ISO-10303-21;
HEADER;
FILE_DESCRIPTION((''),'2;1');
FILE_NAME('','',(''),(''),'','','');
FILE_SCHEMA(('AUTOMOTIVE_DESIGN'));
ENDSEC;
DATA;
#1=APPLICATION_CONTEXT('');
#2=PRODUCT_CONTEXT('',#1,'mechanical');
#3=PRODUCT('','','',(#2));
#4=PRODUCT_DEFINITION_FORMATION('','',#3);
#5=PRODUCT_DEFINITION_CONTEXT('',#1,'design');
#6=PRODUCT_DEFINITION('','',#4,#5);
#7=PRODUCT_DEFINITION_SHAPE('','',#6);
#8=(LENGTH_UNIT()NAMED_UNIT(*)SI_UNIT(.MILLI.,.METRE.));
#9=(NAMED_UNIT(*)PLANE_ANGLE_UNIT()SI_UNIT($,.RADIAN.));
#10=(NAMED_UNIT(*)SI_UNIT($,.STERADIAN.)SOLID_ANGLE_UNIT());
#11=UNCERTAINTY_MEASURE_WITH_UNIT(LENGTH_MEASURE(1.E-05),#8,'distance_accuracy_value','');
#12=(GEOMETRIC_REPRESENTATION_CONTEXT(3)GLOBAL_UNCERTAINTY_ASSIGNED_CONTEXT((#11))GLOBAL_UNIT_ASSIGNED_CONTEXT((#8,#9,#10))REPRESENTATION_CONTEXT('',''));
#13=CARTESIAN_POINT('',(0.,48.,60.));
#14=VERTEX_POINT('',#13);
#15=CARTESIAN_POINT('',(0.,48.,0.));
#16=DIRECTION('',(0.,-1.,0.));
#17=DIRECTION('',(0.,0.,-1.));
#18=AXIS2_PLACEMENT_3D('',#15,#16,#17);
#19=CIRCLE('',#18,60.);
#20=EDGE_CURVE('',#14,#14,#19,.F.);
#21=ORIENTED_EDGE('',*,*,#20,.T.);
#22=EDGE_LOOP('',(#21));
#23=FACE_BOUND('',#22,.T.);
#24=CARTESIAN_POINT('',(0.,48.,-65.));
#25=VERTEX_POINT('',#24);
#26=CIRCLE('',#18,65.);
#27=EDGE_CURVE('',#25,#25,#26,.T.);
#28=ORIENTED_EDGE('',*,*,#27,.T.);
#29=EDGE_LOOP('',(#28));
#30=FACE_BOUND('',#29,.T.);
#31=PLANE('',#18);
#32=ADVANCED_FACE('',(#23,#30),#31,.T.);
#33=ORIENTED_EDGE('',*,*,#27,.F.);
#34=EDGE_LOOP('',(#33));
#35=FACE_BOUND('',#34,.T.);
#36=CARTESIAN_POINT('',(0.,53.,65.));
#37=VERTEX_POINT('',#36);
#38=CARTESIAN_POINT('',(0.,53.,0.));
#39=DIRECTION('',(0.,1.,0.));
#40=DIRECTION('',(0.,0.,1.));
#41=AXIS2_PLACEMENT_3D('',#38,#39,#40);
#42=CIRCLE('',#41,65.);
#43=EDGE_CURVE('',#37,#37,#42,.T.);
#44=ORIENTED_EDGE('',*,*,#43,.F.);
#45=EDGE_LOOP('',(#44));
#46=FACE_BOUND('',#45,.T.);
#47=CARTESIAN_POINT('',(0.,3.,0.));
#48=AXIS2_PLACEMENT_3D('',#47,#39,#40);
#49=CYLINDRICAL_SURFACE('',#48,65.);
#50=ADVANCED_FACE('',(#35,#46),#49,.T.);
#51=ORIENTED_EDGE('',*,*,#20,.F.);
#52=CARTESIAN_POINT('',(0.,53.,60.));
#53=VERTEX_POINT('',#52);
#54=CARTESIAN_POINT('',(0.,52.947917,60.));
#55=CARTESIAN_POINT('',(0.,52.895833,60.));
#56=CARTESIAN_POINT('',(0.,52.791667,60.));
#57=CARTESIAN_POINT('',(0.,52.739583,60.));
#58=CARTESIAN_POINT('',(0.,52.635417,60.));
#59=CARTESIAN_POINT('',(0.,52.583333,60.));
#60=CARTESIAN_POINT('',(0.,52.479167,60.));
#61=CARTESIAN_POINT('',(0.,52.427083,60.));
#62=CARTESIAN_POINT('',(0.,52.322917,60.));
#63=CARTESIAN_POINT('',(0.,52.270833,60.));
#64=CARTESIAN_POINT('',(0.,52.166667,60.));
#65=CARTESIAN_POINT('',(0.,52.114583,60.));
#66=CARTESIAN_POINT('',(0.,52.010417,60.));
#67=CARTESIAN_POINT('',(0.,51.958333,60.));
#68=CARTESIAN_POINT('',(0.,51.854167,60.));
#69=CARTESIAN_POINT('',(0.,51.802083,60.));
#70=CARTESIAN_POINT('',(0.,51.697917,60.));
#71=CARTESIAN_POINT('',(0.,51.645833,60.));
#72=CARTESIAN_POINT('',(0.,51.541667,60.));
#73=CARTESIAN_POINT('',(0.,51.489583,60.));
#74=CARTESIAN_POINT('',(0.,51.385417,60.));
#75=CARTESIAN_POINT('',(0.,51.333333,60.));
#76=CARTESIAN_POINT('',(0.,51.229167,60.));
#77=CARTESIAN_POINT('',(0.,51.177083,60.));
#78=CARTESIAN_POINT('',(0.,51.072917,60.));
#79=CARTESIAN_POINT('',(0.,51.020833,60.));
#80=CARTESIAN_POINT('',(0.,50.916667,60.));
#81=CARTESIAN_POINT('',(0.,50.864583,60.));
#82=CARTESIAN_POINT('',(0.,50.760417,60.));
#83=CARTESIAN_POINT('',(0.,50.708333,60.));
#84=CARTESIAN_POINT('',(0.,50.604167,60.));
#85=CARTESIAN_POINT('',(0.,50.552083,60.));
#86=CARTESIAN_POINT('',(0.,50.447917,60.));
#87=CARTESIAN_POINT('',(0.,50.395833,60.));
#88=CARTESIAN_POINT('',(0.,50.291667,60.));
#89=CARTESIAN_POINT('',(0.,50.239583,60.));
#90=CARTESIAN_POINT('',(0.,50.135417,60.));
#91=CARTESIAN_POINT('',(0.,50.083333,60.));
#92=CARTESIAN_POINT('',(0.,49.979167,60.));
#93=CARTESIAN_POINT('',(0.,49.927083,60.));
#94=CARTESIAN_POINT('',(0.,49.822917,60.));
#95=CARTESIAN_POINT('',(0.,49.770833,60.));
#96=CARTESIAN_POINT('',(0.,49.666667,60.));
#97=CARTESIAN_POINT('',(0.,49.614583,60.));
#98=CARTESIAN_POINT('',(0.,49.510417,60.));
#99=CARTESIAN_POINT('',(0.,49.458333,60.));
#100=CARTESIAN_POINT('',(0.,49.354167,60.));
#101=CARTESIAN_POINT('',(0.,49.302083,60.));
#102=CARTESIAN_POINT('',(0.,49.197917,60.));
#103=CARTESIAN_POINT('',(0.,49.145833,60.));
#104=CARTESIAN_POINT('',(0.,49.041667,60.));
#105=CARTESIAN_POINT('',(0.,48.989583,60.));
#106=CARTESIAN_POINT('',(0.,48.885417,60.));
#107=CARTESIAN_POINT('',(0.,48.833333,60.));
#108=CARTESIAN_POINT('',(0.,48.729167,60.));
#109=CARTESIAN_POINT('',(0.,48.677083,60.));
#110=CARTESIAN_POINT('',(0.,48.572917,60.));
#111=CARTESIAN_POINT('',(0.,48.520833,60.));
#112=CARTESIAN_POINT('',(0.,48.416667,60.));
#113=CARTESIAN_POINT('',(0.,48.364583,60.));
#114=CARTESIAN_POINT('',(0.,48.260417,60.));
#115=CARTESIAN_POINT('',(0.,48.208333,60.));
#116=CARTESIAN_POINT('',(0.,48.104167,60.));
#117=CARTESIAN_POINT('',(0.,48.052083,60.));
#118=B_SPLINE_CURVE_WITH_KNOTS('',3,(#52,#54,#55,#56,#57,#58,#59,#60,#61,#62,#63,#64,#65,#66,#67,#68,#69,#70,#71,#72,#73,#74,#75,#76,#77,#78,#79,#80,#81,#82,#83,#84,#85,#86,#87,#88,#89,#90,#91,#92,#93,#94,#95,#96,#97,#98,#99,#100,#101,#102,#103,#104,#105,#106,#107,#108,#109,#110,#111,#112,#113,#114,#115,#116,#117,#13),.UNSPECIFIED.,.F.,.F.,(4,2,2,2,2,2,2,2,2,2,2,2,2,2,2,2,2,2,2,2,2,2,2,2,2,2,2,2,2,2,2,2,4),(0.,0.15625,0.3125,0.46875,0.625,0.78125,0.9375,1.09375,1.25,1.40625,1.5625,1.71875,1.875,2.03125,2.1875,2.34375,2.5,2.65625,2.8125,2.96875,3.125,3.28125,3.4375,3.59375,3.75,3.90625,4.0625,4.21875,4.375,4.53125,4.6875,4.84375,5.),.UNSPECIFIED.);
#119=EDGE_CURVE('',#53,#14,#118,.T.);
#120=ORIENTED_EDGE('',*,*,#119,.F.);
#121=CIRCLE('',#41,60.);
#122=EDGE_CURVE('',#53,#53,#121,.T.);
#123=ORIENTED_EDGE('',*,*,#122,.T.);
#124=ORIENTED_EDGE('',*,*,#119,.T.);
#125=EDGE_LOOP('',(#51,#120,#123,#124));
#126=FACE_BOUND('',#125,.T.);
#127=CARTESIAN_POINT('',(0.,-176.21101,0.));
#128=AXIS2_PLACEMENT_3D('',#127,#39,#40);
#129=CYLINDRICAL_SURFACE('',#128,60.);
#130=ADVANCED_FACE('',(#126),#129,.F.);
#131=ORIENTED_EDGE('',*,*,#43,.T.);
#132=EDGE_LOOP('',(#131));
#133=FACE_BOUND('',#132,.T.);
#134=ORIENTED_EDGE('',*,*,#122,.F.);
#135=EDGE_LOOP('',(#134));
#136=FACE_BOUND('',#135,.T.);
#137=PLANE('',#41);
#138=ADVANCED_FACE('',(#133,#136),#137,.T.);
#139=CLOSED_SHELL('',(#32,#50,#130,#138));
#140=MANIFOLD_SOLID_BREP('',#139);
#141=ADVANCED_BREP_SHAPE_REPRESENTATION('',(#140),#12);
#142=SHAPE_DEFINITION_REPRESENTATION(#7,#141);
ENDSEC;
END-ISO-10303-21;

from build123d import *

# Parameters (mm, degrees)
SKETCH1_R           = 75
SKETCH1_R_2         = 62.3
BOSS_EXTRUDE1_DEPTH = 53
BOSS_EXTRUDE3_START = 3
SKETCH3_R           = 75
SKETCH3_R_2         = 47
BOSS_EXTRUDE3_DEPTH = 3
BOSS_EXTRUDE4_START = 14
SKETCH4_R           = 50.1
SKETCH4_R_2         = 47
BOSS_EXTRUDE4_DEPTH = 14
BOSS_EXTRUDE5_START = 1
SKETCH5_R           = 62.3
SKETCH5_R_2         = 50.1
BOSS_EXTRUDE5_DEPTH = 1
CUT_EXTRUDE2_START  = -64
SKETCH6_R           = 75
SKETCH6_R_2         = 67.5
CUT_EXTRUDE2_DEPTH  = 64
BOSS_EXTRUDE6_REACH = 111.186
SKETCH7_R           = 62.3
SKETCH7_R_2         = 60
SKETCH9_R           = 50.1
SKETCH9_R_2         = 47
CUT_EXTRUDE3_DEPTH  = 17
BOSS_EXTRUDE7_START = -4
SKETCH10_R          = 50.1
SKETCH10_R_2        = 48.5
BOSS_EXTRUDE7_DEPTH = 4
SKETCH12_R          = 48.5
SKETCH12_R_2        = 47.6
BOSS_EXTRUDE8_DEPTH = 4
BOSS_EXTRUDE9_START = -17
SKETCH13_R          = 47.6
SKETCH13_R_2        = 45.1
BOSS_EXTRUDE9_DEPTH = 17
SKETCH14_R          = 75.997463879
CUT_EXTRUDE4_DEPTH  = 48
SKETCH15_R          = 79.637366743
SKETCH15_R_2        = 65
CUT_EXTRUDE5_DEPTH  = 50


with BuildPart() as part:
    # Sketch1 → Boss-Extrude1 (new body)
    with BuildSketch(Plane(origin=(0, 0, 0), x_dir=(1, 0, 0), z_dir=(0, 1, 0))):
        with Locations(Location((0, 0, 0), (0, 0, 270))):
            Circle(SKETCH1_R)
        with Locations(Location((0, 0, 0), (0, 0, 270))):
            Circle(SKETCH1_R_2, mode=Mode.SUBTRACT)
    extrude(amount=BOSS_EXTRUDE1_DEPTH)

    # Sketch3 → Boss-Extrude3 (add)
    with BuildSketch(Plane(origin=(0, 20, 0), x_dir=(-1, 0, 0), z_dir=(0, -1, 0)).offset(BOSS_EXTRUDE3_START)):
        with Locations(Location((0, 0, 0), (0, 0, 270))):
            Circle(SKETCH3_R)
        with Locations(Location((0, 0, 0), (0, 0, 90))):
            Circle(SKETCH3_R_2, mode=Mode.SUBTRACT)
    extrude(amount=-BOSS_EXTRUDE3_DEPTH)

    # Sketch4 → Boss-Extrude4 (add)
    with BuildSketch(Plane.XZ.offset(-17).offset(BOSS_EXTRUDE4_START)):
        with Locations(Location((0, 0, 0), (0, 0, 270))):
            Circle(SKETCH4_R)
        with Locations(Location((0, 0, 0), (0, 0, 270))):
            Circle(SKETCH4_R_2, mode=Mode.SUBTRACT)
    extrude(amount=-BOSS_EXTRUDE4_DEPTH)

    # Sketch5 → Boss-Extrude5 (add)
    with BuildSketch(Plane.XZ.offset(-17).offset(BOSS_EXTRUDE5_START)):
        with Locations(Location((0, 0, 0), (0, 0, 270))):
            Circle(SKETCH5_R)
        with Locations(Location((0, 0, 0), (0, 0, 270))):
            Circle(SKETCH5_R_2, mode=Mode.SUBTRACT)
    extrude(amount=-BOSS_EXTRUDE5_DEPTH)

    # Sketch6 → Cut-Extrude2 (cut)
    with BuildSketch(Plane(origin=(0, 53, 0), x_dir=(1, 0, 0), z_dir=(0, 1, 0)).offset(CUT_EXTRUDE2_START)):
        Circle(SKETCH6_R)
        with Locations(Location((0, 0, 0), (0, 0, 270))):
            Circle(SKETCH6_R_2, mode=Mode.SUBTRACT)
    extrude(amount=CUT_EXTRUDE2_DEPTH, mode=Mode.SUBTRACT)

    # Boss-Extrude6: up to this face of the body (flat: up to its plane)
    boss_extrude6_end = Plane(part.part.faces().sort_by_distance((0, 0, -65.590811691))[0])
    # Sketch7 → Boss-Extrude6 (add, up to the picked face)
    with BuildSketch(Plane(origin=(0, 53, 0), x_dir=(1, 0, 0), z_dir=(0, 1, 0)), mode=Mode.PRIVATE) as boss_extrude6_sk1:
        Circle(SKETCH7_R)
        with Locations(Location((0, 0, 0), (0, 0, 270))):
            Circle(SKETCH7_R_2, mode=Mode.SUBTRACT)
    boss_extrude6_tool1 = split(extrude(boss_extrude6_sk1.sketch, amount=-BOSS_EXTRUDE6_REACH, mode=Mode.PRIVATE), bisect_by=boss_extrude6_end, keep=Keep.BOTH, mode=Mode.PRIVATE)
    add(boss_extrude6_tool1.solids().sort_by(Axis((-60.53789, 53, 0), (0, -1, 0)))[0])

    # Sketch9 → Cut-Extrude3 (cut)
    with BuildSketch(Plane.XZ.offset(-3)):
        with Locations(Location((0, 0, 0), (0, 0, 270))):
            Circle(SKETCH9_R)
        Circle(SKETCH9_R_2, mode=Mode.SUBTRACT)
    extrude(amount=-CUT_EXTRUDE3_DEPTH, mode=Mode.SUBTRACT)

    # Sketch10 → Boss-Extrude7 (add)
    with BuildSketch(Plane(origin=(0, 20, 0), x_dir=(1, 0, 0), z_dir=(0, 1, 0)).offset(BOSS_EXTRUDE7_START)):
        Circle(SKETCH10_R)
        with Locations(Location((0, 0, 0), (0, 0, 270))):
            Circle(SKETCH10_R_2, mode=Mode.SUBTRACT)
    extrude(amount=BOSS_EXTRUDE7_DEPTH)

    # Sketch12 → Boss-Extrude8 (add)
    with BuildSketch(Plane.XZ.offset(-16)):
        Circle(SKETCH12_R)
        with Locations(Location((0, 0, 0), (0, 0, 270))):
            Circle(SKETCH12_R_2, mode=Mode.SUBTRACT)
    extrude(amount=-BOSS_EXTRUDE8_DEPTH)

    # Sketch13 → Boss-Extrude9 (add)
    with BuildSketch(Plane(origin=(0, 20, 0), x_dir=(1, 0, 0), z_dir=(0, 1, 0)).offset(BOSS_EXTRUDE9_START)):
        with Locations(Location((0, 0, 0), (0, 0, 270))):
            Circle(SKETCH13_R)
        with Locations(Location((0, 0, 0), (0, 0, 270))):
            Circle(SKETCH13_R_2, mode=Mode.SUBTRACT)
    extrude(amount=BOSS_EXTRUDE9_DEPTH)

    # Sketch14 → Cut-Extrude4 (cut)
    with BuildSketch(Plane.XZ):
        Circle(SKETCH14_R)
    extrude(amount=-CUT_EXTRUDE4_DEPTH, mode=Mode.SUBTRACT)

    # Sketch15 → Cut-Extrude5 (cut)
    with BuildSketch(Plane(origin=(0, 53, 0), x_dir=(1, 0, 0), z_dir=(0, 1, 0))):
        Circle(SKETCH15_R)
        with Locations(Location((0, 0, 0), (0, 0, 270))):
            Circle(SKETCH15_R_2, mode=Mode.SUBTRACT)
    extrude(amount=-CUT_EXTRUDE5_DEPTH, mode=Mode.SUBTRACT)


solid = part.part
